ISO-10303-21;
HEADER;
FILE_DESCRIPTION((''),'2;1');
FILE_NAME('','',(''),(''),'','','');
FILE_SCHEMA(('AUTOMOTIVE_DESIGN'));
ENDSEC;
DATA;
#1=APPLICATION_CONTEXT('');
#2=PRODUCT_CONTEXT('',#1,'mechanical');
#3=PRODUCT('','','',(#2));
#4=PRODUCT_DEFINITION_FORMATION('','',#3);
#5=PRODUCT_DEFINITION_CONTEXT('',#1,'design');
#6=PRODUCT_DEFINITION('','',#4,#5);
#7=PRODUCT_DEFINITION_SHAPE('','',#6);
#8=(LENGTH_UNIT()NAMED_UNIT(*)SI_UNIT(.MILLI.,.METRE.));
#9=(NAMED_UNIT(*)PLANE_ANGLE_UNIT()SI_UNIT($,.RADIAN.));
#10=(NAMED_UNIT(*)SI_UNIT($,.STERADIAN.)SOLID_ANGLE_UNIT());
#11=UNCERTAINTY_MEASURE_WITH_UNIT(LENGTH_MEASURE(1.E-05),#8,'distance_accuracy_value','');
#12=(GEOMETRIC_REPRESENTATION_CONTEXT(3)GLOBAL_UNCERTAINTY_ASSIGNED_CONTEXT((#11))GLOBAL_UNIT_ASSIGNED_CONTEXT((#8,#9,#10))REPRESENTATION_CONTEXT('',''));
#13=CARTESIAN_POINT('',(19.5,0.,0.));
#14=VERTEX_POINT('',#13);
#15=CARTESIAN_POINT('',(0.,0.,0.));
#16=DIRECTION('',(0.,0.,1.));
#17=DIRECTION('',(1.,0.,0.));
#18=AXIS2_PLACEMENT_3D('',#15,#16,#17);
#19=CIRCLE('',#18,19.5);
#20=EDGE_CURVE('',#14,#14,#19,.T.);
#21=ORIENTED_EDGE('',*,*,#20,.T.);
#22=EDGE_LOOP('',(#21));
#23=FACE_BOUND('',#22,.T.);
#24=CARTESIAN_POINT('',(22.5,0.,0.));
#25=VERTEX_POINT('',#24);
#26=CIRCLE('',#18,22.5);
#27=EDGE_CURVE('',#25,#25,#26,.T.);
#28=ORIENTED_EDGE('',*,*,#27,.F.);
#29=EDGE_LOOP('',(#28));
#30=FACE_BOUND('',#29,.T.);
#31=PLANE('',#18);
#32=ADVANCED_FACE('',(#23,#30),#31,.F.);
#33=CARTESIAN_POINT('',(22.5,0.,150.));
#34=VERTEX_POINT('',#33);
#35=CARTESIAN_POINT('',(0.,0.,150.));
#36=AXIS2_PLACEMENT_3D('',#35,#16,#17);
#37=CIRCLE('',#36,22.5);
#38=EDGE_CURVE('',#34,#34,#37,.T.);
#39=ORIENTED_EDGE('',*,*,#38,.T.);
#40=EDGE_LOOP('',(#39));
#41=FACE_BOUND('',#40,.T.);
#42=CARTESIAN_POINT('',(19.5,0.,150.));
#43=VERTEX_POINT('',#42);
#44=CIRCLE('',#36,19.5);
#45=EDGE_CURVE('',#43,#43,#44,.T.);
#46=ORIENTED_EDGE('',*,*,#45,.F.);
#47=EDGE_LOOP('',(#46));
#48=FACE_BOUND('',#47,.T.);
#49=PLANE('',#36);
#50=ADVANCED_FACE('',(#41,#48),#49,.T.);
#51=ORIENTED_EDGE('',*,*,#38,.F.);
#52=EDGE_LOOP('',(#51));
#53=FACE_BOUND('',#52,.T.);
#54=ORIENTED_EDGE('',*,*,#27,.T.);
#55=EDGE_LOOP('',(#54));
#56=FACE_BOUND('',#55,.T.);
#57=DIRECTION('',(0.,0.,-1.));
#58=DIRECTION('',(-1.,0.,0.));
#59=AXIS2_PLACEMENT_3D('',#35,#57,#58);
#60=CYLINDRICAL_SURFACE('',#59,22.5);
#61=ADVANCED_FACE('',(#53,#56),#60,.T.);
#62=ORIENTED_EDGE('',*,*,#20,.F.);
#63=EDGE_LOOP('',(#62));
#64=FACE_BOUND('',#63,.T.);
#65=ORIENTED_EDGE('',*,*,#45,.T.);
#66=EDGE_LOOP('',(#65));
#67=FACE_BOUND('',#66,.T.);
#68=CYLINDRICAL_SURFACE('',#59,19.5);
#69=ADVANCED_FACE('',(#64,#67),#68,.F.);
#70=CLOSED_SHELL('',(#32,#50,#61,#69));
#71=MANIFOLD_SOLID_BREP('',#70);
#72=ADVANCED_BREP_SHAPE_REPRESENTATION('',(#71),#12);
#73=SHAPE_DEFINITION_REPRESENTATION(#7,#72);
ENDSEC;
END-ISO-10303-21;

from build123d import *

# Parameters (mm, degrees)
SKETCH_1_R      = 22.5
SKETCH_1_R_2    = 19.5
EXTRUDE_1_DEPTH = 150


with BuildPart() as part:
    # 스케치1 → 보스-돌출1 (new body)
    with BuildSketch(Plane.XY):
        Circle(SKETCH_1_R)
        Circle(SKETCH_1_R_2, mode=Mode.SUBTRACT)
    extrude(amount=EXTRUDE_1_DEPTH)


solid = part.part
